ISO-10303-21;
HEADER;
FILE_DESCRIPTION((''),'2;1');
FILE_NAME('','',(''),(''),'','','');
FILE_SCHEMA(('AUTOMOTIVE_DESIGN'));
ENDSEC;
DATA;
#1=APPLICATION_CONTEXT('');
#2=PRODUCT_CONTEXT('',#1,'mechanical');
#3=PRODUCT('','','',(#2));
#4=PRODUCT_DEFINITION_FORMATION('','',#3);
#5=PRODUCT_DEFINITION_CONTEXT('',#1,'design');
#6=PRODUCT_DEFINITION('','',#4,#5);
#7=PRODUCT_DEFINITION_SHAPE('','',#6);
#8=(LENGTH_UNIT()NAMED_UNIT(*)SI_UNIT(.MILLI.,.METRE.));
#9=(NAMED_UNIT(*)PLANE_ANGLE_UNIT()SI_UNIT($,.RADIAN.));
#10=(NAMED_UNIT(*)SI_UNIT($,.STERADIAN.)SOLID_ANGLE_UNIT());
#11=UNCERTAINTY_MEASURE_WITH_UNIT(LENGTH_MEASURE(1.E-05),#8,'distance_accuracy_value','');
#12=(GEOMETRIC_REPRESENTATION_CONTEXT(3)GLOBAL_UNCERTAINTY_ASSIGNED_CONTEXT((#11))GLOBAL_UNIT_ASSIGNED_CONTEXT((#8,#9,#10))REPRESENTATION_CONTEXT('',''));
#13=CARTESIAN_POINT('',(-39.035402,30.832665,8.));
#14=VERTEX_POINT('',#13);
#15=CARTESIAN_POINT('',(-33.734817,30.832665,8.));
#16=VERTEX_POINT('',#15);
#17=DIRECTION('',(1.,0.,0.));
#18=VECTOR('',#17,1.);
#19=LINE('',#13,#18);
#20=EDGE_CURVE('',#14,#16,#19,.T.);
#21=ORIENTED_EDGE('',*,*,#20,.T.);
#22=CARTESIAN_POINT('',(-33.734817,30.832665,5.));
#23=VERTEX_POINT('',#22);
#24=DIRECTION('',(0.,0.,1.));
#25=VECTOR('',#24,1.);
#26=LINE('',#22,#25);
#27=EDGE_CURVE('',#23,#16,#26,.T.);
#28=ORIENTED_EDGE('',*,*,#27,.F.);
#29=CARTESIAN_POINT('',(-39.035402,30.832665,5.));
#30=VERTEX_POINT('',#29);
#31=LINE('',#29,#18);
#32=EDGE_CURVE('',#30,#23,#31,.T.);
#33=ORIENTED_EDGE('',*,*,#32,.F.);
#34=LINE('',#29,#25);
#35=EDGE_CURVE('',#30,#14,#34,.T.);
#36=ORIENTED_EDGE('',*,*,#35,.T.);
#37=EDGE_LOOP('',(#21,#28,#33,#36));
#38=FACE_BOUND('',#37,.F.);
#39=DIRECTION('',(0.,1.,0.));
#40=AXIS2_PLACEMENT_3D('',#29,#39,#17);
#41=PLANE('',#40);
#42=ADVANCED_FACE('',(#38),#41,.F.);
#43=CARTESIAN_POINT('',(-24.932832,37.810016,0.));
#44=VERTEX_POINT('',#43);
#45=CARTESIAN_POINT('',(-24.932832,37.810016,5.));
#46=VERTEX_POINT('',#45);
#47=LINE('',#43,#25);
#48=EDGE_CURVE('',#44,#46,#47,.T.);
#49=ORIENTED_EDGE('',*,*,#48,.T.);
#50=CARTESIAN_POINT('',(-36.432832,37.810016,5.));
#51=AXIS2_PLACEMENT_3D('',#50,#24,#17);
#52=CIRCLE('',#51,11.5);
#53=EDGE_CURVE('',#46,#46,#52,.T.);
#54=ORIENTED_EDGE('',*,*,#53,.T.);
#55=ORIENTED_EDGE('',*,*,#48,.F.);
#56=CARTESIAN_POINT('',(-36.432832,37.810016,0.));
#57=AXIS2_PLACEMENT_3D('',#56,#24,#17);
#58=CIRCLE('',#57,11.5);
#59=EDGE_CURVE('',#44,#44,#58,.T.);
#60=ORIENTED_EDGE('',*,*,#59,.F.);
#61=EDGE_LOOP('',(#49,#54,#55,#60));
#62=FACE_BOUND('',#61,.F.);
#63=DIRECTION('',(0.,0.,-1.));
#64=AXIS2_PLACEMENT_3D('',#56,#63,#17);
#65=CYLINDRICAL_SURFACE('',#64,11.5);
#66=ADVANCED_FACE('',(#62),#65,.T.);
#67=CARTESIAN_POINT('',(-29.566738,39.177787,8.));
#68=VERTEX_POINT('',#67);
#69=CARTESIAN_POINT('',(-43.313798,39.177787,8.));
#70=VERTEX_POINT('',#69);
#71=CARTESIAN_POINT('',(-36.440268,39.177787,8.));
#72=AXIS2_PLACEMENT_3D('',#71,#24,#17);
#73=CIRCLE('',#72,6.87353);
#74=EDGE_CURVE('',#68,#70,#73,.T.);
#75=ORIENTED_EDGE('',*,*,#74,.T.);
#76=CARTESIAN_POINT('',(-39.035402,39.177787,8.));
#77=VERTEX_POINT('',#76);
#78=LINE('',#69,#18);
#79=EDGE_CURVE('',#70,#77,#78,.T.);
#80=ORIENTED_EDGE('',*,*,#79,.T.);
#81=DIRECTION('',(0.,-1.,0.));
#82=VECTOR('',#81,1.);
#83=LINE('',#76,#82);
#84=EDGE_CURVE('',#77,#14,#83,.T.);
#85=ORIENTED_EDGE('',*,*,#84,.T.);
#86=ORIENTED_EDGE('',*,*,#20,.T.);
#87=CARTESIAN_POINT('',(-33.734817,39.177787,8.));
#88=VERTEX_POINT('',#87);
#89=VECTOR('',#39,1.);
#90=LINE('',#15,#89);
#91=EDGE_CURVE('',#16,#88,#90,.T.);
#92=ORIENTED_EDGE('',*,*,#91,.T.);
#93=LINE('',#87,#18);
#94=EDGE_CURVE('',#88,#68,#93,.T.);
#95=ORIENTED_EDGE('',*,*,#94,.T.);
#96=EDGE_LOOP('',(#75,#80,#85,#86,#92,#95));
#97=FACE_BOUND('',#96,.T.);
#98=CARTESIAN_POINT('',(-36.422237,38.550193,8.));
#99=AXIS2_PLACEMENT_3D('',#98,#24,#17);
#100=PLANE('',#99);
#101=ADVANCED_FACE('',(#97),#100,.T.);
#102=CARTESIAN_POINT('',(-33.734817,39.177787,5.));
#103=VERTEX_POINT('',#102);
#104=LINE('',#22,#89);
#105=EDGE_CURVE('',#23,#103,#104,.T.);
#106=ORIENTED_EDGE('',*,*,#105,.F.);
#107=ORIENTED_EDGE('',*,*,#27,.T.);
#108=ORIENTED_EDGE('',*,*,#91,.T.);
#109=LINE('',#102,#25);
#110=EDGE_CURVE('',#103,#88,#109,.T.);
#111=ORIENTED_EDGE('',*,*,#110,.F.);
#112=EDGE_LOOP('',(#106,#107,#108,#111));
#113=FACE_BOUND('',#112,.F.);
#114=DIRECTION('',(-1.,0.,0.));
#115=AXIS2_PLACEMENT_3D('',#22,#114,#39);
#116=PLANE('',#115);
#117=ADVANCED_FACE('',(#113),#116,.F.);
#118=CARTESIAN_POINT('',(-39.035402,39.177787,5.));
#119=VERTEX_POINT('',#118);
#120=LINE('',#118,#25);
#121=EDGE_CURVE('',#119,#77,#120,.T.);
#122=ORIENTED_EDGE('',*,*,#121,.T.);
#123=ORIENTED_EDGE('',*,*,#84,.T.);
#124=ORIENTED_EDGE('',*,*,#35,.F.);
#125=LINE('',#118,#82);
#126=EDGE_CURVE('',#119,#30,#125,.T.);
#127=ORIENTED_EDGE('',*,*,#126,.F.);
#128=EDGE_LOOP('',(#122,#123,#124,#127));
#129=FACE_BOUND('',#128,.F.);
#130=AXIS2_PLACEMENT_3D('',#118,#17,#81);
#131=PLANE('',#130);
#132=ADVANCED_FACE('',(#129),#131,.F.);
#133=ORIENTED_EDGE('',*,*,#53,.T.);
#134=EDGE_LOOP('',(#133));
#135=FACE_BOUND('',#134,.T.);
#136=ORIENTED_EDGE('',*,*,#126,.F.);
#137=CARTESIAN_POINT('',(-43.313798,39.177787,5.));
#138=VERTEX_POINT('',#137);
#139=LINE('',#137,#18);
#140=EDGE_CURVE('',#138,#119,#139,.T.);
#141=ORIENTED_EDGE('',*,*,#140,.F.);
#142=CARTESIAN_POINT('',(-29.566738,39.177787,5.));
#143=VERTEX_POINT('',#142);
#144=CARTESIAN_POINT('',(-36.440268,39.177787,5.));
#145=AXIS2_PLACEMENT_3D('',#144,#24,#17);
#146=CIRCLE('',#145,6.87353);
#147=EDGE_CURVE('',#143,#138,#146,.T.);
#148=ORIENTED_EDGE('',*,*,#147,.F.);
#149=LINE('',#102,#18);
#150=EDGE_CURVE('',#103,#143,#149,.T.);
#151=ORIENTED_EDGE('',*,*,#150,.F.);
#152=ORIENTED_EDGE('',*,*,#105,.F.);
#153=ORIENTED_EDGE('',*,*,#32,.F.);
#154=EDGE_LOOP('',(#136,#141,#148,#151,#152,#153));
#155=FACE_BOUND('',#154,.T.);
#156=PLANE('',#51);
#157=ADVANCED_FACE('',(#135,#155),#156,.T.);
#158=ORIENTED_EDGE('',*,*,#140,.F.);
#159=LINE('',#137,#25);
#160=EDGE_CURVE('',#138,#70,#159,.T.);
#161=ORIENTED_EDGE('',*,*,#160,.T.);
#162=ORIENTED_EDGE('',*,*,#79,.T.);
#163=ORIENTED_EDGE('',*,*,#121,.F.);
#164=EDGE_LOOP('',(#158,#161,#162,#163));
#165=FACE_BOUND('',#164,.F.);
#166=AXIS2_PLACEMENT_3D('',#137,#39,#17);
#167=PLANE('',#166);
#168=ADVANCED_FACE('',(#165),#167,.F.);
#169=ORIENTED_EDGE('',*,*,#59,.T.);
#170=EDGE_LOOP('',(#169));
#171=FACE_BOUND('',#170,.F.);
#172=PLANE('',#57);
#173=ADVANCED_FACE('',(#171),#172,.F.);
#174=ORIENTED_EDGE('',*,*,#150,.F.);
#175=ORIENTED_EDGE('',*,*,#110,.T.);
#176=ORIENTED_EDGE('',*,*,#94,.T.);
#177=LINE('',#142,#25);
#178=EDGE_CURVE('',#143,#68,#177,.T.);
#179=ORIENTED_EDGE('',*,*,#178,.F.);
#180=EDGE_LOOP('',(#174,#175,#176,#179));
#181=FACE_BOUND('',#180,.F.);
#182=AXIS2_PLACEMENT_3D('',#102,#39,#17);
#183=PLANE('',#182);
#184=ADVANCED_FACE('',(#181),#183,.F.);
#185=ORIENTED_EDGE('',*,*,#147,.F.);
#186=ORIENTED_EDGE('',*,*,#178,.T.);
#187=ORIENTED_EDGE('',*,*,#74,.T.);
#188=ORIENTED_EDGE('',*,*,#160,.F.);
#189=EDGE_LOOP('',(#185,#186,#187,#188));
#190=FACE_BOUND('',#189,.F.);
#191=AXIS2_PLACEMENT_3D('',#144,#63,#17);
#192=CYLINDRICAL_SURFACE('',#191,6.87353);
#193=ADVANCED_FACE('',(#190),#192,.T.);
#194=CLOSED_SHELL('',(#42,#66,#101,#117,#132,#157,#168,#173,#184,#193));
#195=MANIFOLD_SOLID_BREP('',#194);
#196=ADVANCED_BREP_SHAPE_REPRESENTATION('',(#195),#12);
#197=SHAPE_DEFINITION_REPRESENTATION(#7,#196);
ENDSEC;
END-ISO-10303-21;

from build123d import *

# Parameters (mm, degrees)
F0_R     = 11.5
F1_DEPTH = 5
F3_DEPTH = 3


with BuildPart() as f1:
    # F0 (on Top) → F1 (new body)
    with BuildSketch(Plane.XY):
        with Locations((-36.432832, 37.810016)):
            Circle(F0_R)
    extrude(amount=F1_DEPTH)

    # F2 (on face) → F3 (join)
    with BuildSketch(Plane.XY.offset(5)):
        with BuildLine():
            Line((-33.734817, 39.177787), (-29.566738, 39.177787))
            ThreePointArc((-29.566738, 39.177787), (-36.440268, 46.051317), (-43.313798, 39.177787))
            Line((-43.313798, 39.177787), (-39.035402, 39.177787))
            Line((-39.035402, 39.177787), (-39.035402, 30.832665))
            Line((-39.035402, 30.832665), (-33.734817, 30.832665))
            Line((-33.734817, 30.832665), (-33.734817, 39.177787))
        make_face()
    extrude(amount=F3_DEPTH)


solid = f1.part
